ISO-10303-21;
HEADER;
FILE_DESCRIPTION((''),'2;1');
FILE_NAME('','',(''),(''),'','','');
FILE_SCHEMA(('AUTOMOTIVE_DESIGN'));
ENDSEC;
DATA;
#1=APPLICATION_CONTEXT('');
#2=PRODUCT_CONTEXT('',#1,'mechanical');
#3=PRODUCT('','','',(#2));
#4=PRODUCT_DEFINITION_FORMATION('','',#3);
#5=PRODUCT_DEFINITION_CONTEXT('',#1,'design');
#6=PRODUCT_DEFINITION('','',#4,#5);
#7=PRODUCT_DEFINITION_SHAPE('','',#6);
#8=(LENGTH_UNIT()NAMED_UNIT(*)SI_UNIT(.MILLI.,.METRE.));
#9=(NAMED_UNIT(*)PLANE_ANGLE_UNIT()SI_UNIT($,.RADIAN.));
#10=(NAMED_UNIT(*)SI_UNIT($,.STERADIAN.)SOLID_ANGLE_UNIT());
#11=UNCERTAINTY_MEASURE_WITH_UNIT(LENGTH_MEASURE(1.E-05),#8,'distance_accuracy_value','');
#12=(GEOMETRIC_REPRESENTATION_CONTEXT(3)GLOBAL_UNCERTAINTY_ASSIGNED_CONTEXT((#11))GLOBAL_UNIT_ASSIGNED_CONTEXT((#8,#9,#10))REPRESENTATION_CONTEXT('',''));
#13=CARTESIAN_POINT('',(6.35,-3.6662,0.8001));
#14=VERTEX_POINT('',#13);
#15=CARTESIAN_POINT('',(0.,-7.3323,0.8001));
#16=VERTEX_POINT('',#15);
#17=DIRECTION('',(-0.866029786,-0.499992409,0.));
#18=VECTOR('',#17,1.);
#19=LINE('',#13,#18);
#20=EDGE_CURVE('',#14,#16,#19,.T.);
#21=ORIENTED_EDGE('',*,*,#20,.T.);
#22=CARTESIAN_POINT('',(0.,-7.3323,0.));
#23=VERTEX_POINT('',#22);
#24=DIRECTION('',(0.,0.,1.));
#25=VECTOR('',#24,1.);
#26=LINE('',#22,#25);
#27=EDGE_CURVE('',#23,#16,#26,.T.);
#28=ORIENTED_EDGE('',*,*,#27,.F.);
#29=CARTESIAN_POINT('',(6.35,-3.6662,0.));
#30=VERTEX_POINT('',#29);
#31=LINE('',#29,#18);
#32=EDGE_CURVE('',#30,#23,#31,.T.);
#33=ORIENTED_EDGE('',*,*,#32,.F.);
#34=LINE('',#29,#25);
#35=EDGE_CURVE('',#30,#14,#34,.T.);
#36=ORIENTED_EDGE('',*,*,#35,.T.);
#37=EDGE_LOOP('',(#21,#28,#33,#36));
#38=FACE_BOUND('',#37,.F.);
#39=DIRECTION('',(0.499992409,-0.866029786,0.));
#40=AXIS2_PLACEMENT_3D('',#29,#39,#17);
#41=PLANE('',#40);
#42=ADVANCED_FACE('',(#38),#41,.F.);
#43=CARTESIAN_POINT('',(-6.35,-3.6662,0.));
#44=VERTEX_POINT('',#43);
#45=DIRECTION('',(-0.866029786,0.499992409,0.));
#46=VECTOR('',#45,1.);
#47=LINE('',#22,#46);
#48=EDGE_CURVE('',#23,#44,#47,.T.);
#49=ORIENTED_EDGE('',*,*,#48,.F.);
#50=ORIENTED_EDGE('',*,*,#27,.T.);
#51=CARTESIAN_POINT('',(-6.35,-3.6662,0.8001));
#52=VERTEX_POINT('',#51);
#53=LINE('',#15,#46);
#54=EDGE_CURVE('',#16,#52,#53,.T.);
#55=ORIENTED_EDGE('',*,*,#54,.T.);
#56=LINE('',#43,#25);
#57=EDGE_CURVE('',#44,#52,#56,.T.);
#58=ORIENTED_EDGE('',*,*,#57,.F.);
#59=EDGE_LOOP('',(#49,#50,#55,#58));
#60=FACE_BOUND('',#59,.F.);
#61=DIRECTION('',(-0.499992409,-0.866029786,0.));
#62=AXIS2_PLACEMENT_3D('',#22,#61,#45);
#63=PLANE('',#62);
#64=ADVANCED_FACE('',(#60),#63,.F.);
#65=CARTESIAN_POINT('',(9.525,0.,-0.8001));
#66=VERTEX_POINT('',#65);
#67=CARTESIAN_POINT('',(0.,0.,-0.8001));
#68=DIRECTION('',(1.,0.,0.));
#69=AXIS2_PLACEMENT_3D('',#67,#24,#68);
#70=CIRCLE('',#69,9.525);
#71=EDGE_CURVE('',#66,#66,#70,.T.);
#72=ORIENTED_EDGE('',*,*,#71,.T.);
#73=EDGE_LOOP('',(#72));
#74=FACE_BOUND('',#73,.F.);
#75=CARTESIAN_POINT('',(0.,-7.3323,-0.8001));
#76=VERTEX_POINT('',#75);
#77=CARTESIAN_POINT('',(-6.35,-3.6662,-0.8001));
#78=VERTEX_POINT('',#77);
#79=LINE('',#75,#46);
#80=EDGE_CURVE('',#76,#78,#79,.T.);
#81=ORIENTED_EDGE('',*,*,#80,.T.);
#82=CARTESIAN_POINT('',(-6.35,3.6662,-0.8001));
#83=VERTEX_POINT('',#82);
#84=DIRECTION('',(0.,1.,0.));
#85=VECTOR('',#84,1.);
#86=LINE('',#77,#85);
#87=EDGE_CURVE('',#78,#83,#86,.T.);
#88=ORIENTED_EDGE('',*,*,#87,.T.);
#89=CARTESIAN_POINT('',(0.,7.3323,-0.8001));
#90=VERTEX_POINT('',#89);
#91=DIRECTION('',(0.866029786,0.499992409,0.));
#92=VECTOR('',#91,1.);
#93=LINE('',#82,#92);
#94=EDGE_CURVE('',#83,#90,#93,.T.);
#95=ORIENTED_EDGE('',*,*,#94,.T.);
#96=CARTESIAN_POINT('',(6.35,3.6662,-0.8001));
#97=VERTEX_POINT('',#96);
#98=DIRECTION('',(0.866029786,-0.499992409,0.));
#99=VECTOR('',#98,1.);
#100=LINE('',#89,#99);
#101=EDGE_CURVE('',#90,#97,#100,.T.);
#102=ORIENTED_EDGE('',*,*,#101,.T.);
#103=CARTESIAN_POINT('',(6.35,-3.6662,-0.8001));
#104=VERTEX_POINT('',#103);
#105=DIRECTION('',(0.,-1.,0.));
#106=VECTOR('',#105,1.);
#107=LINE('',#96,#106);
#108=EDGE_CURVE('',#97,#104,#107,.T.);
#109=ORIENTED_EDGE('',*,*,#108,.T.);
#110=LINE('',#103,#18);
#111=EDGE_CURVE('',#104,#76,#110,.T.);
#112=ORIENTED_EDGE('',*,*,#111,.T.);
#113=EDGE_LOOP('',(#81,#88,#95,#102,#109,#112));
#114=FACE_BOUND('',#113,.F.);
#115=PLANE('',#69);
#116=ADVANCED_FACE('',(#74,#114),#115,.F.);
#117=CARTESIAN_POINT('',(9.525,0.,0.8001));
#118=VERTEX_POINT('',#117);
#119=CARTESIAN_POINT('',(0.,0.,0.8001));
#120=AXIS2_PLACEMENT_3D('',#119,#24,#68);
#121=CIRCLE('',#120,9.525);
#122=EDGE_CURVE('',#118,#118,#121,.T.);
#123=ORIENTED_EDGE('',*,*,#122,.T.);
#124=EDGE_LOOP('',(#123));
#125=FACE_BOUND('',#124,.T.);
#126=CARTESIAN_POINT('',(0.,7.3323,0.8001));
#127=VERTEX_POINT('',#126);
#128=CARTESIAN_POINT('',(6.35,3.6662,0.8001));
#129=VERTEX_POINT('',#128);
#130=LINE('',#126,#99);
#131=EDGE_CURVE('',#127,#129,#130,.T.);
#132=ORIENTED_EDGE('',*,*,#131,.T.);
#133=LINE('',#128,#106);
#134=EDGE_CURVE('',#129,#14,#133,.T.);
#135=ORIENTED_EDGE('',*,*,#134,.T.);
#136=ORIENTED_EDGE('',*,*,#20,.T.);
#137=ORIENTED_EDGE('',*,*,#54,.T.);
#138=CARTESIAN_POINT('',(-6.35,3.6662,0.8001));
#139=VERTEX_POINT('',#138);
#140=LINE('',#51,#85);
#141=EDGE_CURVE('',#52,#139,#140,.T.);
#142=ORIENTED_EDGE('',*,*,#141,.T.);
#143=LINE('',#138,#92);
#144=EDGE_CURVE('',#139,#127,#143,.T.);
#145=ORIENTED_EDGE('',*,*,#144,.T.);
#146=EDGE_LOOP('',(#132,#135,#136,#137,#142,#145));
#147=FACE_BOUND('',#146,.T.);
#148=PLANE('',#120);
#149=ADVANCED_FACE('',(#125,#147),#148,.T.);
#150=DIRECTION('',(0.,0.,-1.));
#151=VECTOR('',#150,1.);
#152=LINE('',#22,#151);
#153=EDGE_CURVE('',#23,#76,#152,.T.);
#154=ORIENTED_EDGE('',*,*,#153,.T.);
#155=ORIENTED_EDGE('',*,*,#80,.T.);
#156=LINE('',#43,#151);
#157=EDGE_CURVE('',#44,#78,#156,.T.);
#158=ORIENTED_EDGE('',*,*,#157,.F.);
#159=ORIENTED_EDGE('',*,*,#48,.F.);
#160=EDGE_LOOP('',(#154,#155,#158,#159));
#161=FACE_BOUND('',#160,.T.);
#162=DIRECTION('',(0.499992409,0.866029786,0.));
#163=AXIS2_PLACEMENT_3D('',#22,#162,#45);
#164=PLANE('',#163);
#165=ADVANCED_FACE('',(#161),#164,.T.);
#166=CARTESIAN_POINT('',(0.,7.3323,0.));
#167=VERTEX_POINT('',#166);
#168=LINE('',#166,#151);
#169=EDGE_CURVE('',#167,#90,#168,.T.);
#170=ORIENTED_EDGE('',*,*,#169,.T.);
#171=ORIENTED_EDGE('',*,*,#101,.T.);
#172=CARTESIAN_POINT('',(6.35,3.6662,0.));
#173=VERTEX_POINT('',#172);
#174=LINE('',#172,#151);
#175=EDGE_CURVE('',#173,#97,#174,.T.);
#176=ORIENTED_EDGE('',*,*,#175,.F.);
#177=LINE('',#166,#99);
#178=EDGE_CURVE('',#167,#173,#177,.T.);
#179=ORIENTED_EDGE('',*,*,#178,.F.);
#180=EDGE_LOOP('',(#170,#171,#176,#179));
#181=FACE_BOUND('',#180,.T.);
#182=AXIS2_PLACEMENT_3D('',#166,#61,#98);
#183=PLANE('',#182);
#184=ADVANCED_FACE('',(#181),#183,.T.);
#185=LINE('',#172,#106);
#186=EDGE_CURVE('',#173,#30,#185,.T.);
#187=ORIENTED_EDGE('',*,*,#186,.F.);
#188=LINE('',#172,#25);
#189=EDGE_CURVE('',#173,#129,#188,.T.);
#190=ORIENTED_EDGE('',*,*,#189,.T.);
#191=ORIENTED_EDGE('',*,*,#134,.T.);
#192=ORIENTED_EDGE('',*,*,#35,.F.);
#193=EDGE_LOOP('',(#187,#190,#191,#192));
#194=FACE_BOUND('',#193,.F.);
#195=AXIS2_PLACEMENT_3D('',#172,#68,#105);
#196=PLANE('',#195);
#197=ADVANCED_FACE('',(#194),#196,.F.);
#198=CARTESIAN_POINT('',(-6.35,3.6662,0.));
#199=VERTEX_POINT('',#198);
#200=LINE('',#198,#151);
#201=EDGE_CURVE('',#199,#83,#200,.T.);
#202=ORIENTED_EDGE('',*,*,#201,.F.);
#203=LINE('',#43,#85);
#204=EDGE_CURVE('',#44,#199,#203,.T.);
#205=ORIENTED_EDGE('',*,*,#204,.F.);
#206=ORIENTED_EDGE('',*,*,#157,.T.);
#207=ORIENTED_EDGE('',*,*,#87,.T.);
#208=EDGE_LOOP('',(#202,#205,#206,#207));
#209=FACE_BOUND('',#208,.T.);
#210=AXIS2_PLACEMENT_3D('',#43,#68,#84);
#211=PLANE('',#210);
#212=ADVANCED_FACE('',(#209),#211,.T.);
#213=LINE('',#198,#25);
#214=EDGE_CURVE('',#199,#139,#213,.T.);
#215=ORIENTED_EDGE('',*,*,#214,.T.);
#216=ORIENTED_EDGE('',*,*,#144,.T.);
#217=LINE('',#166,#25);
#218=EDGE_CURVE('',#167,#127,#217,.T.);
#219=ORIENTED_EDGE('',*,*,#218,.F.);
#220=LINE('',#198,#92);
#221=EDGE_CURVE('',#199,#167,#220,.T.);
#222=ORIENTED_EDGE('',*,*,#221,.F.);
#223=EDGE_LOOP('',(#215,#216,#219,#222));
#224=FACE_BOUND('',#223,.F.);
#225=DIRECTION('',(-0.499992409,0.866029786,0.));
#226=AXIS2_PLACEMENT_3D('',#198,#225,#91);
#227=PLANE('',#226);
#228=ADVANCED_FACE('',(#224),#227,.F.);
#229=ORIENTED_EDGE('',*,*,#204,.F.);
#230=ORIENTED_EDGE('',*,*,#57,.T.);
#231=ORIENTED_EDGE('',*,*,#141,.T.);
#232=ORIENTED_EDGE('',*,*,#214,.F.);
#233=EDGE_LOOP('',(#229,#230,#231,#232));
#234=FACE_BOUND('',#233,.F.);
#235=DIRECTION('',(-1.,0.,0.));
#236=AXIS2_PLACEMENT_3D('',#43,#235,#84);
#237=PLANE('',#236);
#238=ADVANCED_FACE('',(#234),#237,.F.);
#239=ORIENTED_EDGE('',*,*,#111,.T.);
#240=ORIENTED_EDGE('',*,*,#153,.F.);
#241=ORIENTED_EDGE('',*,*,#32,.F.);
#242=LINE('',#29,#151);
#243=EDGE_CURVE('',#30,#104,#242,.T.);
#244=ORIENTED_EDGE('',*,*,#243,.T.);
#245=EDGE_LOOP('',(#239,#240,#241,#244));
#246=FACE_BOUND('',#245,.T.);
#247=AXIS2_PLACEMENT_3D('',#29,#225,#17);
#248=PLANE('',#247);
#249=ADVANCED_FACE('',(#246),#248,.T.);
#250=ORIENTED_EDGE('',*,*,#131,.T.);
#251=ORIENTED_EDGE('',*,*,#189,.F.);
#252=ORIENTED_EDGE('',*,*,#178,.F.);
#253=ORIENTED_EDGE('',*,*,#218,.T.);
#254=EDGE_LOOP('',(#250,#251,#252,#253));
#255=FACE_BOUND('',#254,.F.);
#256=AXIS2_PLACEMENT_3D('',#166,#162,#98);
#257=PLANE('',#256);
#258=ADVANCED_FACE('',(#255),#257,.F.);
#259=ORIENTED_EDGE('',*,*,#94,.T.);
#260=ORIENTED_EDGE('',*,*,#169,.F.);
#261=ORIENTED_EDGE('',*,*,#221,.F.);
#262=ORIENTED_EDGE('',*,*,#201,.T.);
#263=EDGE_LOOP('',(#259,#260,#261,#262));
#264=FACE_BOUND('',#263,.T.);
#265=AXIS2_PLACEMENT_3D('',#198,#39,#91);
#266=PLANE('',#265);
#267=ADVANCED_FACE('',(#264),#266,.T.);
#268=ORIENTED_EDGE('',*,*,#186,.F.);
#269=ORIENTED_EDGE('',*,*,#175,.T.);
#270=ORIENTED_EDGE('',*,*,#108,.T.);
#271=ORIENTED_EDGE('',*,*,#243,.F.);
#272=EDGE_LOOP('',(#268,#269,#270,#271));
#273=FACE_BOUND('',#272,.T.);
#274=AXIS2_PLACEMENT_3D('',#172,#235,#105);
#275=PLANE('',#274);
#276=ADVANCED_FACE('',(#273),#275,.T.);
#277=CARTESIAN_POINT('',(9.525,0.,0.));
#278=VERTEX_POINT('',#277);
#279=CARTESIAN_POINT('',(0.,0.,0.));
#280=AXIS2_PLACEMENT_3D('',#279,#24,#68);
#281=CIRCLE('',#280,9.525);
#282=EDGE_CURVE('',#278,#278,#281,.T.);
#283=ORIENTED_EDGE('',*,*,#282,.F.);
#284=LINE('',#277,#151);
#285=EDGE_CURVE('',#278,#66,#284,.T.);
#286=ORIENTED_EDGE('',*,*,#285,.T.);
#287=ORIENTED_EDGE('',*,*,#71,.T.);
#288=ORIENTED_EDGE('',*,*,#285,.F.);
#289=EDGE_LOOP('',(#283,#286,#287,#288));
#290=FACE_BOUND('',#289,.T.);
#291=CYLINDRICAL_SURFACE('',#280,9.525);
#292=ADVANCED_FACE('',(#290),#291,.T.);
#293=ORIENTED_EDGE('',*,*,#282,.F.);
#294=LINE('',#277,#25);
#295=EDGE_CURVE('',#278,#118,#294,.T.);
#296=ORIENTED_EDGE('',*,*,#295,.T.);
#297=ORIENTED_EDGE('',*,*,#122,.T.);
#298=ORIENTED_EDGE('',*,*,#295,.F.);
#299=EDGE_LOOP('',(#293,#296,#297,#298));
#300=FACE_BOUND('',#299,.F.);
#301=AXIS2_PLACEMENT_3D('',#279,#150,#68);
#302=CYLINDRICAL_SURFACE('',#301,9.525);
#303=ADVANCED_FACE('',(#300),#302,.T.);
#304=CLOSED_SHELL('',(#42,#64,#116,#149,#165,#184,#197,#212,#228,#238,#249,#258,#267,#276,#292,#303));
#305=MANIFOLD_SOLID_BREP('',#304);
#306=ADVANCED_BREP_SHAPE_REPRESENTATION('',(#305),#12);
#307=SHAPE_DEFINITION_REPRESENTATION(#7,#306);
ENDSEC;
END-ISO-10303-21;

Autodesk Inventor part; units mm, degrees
ref_plane "YZ Plane" through (0, 0, 0) normal (1, 0, 0) x (0, 1, 0)
ref_plane "XZ Plane" through (0, 0, 0) normal (0, 1, 0) x (-1, 0, 0)
ref_plane "XY Plane" through (0, 0, 0) normal (0, 0, 1) x (1, 0, 0)
sketch "Sketch1" plane through (0, 0, 0) normal (0, 0, 1) x (1, 0, 0)
  circle A0 centre (0, 0) radius 9.525
  line L0 (0, 7.3323) -> (6.35, 3.6662)
  line L1 (6.35, 3.6662) -> (6.35, -3.6662)
  line L2 (6.35, -3.6662) -> (0, -7.3323)
  line L3 (0, -7.3323) -> (-6.35, -3.6662)
  line L4 (-6.35, -3.6662) -> (-6.35, 3.6662)
  line L5 (-6.35, 3.6662) -> (0, 7.3323)
  dimension "d0" = 19.05
  dimension "d2" = 12.7
extrude "Extrusion1" add sketch "Sketch1" along normal mid plane 1.6002
properties part number "500 Hex Spacer x250" material "Nylon 6/6"
